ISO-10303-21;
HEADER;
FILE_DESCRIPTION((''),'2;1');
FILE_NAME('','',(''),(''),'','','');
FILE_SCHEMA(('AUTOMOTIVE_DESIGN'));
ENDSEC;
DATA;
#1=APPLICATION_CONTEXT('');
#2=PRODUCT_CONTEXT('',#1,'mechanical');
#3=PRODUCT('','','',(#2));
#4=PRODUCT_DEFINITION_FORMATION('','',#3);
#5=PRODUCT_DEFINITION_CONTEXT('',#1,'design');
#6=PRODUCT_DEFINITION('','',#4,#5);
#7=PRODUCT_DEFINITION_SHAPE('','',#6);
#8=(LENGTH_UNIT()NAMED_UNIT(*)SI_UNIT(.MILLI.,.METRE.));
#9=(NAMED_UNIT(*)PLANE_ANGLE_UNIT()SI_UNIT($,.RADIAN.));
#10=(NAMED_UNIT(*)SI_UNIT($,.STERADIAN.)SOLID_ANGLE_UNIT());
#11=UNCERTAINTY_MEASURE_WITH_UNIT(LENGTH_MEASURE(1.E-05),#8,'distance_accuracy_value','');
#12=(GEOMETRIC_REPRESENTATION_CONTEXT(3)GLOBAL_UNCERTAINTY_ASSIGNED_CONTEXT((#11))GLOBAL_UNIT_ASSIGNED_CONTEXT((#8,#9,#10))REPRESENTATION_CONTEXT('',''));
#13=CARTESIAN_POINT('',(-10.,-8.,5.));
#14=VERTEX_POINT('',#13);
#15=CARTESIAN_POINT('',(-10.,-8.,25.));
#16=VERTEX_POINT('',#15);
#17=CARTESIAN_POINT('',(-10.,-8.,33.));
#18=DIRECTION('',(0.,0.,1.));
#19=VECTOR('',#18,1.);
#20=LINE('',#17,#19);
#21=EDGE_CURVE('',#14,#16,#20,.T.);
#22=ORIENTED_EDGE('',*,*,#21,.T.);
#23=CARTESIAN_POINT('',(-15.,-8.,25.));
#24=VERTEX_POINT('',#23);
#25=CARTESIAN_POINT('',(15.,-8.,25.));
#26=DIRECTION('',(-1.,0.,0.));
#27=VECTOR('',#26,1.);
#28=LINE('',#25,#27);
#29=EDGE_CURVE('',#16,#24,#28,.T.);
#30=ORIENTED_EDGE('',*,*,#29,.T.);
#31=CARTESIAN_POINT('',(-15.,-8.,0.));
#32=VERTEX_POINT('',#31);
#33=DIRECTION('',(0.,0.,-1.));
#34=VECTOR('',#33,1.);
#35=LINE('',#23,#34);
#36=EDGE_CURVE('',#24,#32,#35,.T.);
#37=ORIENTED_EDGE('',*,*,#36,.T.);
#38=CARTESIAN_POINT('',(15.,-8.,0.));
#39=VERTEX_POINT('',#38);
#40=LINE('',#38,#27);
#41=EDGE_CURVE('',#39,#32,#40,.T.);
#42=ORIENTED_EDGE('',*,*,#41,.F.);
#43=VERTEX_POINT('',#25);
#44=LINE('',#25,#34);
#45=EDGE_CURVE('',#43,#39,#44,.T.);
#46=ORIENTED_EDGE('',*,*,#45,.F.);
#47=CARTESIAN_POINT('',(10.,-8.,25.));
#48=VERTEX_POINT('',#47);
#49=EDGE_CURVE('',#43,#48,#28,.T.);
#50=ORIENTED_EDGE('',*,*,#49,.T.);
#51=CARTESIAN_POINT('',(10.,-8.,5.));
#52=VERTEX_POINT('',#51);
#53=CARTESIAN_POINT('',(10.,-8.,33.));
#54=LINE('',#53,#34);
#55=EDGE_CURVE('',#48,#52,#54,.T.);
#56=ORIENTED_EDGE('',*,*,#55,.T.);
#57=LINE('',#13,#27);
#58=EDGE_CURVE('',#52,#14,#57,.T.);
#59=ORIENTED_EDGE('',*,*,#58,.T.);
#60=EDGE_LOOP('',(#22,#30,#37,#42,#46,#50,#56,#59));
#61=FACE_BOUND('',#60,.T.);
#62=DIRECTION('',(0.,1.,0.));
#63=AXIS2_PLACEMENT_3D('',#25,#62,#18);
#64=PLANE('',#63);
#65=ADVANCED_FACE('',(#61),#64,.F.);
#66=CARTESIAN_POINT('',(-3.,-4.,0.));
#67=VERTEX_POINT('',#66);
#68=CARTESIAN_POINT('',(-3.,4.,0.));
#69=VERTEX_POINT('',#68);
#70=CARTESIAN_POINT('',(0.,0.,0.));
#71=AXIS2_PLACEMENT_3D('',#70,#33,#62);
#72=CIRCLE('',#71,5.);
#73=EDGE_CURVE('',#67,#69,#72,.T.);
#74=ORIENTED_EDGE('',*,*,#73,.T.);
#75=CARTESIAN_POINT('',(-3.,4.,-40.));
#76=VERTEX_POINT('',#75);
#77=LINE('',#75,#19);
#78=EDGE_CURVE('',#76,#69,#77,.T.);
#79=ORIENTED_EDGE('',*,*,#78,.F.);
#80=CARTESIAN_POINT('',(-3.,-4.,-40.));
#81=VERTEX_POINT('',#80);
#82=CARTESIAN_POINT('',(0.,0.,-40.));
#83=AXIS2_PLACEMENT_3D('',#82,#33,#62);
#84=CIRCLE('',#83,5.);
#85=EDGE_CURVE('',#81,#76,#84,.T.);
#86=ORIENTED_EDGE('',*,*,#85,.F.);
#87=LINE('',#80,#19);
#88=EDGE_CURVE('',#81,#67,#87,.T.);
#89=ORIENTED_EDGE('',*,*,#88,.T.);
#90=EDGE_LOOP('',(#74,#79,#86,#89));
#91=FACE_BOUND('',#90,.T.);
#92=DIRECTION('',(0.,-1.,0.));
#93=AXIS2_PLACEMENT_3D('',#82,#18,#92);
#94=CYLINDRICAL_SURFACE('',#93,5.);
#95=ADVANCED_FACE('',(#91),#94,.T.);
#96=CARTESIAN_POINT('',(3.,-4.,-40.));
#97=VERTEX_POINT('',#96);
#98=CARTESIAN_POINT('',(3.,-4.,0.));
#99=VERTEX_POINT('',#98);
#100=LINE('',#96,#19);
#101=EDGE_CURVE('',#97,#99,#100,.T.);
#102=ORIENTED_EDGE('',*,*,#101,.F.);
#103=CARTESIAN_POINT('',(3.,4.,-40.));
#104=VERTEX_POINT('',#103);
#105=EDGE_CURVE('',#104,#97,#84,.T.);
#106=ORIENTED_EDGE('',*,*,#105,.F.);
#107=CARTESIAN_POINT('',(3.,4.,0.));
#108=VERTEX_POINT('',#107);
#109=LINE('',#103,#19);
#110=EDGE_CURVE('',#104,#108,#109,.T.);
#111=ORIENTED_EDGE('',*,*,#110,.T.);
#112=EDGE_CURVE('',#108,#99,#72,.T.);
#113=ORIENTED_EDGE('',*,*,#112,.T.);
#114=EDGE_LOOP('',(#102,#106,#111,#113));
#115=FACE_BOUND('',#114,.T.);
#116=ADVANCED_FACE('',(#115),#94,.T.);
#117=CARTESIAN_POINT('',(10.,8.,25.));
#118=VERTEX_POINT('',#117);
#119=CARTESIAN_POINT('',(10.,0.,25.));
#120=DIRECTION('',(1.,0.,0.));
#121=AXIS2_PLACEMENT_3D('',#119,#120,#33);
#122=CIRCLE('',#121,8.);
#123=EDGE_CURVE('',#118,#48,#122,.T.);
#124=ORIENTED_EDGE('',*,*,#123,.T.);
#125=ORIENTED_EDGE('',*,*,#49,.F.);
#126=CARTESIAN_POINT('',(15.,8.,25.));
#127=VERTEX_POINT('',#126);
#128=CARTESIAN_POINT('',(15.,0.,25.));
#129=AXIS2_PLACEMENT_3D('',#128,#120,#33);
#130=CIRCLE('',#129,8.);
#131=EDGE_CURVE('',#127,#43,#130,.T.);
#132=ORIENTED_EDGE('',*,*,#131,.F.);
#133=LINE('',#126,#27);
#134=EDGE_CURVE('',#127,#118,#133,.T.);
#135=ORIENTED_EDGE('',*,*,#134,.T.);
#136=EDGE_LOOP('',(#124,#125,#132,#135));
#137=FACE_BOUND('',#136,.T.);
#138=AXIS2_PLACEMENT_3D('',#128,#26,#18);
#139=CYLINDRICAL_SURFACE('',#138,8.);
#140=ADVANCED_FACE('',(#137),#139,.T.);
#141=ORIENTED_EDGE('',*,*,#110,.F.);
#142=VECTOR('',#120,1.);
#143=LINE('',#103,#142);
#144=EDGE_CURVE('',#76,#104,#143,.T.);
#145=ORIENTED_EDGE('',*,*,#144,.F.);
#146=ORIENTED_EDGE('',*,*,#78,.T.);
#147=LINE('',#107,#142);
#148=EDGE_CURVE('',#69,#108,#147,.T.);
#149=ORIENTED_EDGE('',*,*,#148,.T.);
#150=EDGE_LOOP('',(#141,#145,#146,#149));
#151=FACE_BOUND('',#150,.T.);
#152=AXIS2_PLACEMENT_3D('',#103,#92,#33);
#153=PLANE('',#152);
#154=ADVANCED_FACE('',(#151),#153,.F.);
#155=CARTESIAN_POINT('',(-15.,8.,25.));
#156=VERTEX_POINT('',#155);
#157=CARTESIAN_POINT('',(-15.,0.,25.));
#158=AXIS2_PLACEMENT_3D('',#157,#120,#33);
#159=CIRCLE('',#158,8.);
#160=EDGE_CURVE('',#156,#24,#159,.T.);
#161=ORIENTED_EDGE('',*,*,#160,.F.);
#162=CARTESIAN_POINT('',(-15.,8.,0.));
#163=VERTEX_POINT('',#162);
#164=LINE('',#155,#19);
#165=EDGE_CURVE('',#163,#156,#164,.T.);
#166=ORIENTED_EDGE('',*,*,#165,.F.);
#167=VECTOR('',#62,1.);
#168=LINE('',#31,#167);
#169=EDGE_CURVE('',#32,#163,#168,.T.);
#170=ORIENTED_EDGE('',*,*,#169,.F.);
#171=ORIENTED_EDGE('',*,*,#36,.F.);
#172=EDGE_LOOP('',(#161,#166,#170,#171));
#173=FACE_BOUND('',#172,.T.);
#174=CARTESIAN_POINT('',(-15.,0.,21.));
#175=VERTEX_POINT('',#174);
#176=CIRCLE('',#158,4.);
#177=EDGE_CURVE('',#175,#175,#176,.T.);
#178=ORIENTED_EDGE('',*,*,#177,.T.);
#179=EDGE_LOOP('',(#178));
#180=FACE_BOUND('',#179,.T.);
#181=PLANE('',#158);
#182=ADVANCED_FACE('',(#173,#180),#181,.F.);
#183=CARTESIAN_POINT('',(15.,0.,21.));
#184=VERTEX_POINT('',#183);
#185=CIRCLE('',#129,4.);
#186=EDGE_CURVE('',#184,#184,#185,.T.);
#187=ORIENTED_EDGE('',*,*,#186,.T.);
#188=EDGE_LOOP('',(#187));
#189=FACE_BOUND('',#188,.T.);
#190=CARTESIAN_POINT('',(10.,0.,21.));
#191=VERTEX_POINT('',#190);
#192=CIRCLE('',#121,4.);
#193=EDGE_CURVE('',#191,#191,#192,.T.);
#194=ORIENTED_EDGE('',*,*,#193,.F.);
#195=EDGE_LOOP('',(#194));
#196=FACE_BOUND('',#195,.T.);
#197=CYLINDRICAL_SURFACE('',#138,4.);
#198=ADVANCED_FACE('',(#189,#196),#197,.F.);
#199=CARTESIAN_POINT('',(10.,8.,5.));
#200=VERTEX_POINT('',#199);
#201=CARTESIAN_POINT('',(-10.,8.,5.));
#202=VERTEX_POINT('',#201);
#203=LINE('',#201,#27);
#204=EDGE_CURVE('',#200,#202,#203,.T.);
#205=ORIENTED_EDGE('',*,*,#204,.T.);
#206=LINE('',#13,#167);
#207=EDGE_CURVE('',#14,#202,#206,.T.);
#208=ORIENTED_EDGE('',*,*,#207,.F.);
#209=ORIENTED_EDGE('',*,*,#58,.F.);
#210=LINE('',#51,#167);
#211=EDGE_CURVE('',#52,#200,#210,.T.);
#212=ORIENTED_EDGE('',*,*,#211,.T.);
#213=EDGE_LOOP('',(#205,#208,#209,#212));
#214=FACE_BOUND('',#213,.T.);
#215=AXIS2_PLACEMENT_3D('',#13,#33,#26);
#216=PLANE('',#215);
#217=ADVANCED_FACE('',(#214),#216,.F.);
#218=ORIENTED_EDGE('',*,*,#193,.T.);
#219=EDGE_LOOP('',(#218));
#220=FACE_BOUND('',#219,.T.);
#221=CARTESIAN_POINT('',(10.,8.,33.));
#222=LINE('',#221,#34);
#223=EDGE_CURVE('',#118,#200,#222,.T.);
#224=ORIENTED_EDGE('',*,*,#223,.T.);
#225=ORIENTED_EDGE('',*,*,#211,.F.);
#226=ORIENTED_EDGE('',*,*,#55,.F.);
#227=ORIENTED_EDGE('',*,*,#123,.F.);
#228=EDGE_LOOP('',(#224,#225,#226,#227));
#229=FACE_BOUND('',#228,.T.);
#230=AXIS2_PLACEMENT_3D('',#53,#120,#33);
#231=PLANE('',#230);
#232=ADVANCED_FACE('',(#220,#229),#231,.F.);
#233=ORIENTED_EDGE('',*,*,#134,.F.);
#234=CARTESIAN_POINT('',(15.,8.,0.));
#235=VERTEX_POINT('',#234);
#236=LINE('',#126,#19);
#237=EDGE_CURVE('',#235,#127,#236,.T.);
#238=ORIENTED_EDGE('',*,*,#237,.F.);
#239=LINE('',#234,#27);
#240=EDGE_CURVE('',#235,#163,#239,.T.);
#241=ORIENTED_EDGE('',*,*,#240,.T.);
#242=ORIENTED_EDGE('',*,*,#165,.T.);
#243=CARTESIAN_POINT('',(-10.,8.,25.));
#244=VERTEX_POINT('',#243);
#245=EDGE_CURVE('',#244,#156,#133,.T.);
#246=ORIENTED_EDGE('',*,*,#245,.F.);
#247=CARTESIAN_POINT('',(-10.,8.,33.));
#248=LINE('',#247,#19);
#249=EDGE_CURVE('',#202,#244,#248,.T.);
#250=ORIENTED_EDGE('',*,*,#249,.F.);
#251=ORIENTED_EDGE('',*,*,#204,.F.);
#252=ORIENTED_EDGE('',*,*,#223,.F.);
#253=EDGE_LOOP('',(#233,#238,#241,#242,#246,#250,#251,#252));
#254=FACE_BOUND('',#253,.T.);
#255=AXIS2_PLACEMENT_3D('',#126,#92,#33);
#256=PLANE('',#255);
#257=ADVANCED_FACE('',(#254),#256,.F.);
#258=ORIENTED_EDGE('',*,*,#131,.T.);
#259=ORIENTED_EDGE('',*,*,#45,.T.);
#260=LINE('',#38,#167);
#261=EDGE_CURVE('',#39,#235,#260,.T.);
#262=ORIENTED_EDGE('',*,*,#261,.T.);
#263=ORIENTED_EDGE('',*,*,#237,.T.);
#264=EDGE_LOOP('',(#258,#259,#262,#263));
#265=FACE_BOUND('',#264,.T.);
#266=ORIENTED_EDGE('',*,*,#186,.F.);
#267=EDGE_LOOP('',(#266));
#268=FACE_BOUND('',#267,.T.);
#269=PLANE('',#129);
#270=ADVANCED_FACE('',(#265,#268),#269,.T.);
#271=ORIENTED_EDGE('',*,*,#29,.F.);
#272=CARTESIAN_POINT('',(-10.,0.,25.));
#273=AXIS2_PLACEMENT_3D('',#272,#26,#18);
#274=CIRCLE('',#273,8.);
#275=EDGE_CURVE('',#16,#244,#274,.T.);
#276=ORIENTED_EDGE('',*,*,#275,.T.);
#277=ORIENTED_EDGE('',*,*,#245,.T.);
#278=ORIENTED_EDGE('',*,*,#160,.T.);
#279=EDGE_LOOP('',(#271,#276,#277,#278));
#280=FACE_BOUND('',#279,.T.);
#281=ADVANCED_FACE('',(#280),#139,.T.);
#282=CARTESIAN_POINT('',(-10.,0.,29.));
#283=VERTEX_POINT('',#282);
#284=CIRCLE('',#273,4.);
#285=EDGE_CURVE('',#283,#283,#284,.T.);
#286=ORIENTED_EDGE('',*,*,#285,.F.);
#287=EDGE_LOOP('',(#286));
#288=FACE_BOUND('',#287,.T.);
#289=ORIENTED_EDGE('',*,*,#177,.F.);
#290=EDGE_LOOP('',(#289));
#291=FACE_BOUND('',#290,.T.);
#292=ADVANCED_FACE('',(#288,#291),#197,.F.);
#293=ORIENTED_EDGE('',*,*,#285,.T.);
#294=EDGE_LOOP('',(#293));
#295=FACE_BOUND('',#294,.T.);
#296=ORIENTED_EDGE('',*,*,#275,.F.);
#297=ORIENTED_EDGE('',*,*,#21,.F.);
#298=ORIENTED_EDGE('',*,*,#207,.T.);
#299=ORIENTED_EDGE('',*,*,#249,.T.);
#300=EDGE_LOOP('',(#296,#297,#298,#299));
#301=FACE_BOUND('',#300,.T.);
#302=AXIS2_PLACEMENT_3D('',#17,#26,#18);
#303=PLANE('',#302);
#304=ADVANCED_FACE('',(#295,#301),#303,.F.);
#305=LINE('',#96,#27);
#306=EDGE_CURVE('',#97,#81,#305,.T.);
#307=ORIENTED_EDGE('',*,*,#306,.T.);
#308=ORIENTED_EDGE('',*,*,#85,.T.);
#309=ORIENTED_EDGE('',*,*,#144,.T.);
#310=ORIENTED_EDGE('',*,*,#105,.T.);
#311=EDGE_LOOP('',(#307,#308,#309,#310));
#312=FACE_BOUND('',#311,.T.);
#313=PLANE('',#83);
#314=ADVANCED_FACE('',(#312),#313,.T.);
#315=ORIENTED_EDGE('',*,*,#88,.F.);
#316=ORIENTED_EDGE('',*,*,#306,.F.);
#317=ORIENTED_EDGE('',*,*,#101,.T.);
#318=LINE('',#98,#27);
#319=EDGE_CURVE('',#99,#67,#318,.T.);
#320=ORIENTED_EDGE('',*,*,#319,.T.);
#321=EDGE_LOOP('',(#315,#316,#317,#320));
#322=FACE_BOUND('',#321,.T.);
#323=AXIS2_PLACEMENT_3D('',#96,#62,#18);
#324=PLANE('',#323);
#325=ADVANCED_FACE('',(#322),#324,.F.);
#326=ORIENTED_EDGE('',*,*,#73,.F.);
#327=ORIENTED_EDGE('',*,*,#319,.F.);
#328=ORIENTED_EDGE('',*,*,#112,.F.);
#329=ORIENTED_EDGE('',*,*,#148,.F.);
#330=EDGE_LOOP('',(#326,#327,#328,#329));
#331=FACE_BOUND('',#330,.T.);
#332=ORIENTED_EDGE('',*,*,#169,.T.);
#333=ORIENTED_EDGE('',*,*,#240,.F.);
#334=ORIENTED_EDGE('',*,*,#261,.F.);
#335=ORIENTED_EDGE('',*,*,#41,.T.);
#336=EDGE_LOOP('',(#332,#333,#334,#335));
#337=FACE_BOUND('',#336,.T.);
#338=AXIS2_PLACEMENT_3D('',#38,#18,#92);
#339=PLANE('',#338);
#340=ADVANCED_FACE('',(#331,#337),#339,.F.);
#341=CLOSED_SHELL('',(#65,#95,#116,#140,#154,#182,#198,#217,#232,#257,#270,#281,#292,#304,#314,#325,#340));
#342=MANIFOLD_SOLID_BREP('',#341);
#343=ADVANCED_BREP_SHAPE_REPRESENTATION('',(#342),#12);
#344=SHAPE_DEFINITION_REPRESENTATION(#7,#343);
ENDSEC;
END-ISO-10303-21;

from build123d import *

# Parameters (mm, degrees)
SKETCH_2_R               = 4
EXTRUDE_1_DEPTH          = 15
CUT_EXTRUDE_1_DEPTH      = 38.121422387
CUT_EXTRUDE_1_DEPTH_BACK = 38.121422387
SKETCH_3_W               = 20
SKETCH_3_H               = 28
EXTRUDE_2_DEPTH          = 40


with BuildPart() as part:
    # 草图2 → 凸台-拉伸1 (new, symmetric)
    with BuildSketch(Plane(origin=(0, 0, 0), x_dir=(0, 0, -1), z_dir=(1, 0, 0))):
        with BuildLine():
            Line((-25, -8), (0, -8))
            Line((0, -8), (0, 8))
            Line((0, 8), (-25, 8))
            ThreePointArc((-25, 8), (-33, 0), (-25, -8))
        make_face()
        with Locations((-25, 0)):
            Circle(SKETCH_2_R, mode=Mode.SUBTRACT)
    extrude(amount=EXTRUDE_1_DEPTH, both=True)

    # 草图3 → 切除-拉伸1 (cut, two sides: drawn at the far end of the back side and taken through both)
    with BuildSketch(Plane(origin=(0, 0, 0), x_dir=(1, 0, 0), z_dir=(0, 1, 0)).offset(-CUT_EXTRUDE_1_DEPTH_BACK)):
        with Locations((0, -19)):
            Rectangle(SKETCH_3_W, SKETCH_3_H)
    extrude(amount=CUT_EXTRUDE_1_DEPTH + CUT_EXTRUDE_1_DEPTH_BACK, mode=Mode.SUBTRACT)

    # 草图4 → 凸台-拉伸2 (add)
    with BuildSketch(Plane(origin=(0, 0, 0), x_dir=(-1, 0, 0), z_dir=(0, 0, -1))):
        with BuildLine():
            Line((-3, -4), (3, -4))
            ThreePointArc((3, -4), (5, 0), (3, 4))
            Line((3, 4), (-3, 4))
            ThreePointArc((-3, 4), (-5, 0), (-3, -4))
        make_face()
    extrude(amount=EXTRUDE_2_DEPTH)


solid = part.part
